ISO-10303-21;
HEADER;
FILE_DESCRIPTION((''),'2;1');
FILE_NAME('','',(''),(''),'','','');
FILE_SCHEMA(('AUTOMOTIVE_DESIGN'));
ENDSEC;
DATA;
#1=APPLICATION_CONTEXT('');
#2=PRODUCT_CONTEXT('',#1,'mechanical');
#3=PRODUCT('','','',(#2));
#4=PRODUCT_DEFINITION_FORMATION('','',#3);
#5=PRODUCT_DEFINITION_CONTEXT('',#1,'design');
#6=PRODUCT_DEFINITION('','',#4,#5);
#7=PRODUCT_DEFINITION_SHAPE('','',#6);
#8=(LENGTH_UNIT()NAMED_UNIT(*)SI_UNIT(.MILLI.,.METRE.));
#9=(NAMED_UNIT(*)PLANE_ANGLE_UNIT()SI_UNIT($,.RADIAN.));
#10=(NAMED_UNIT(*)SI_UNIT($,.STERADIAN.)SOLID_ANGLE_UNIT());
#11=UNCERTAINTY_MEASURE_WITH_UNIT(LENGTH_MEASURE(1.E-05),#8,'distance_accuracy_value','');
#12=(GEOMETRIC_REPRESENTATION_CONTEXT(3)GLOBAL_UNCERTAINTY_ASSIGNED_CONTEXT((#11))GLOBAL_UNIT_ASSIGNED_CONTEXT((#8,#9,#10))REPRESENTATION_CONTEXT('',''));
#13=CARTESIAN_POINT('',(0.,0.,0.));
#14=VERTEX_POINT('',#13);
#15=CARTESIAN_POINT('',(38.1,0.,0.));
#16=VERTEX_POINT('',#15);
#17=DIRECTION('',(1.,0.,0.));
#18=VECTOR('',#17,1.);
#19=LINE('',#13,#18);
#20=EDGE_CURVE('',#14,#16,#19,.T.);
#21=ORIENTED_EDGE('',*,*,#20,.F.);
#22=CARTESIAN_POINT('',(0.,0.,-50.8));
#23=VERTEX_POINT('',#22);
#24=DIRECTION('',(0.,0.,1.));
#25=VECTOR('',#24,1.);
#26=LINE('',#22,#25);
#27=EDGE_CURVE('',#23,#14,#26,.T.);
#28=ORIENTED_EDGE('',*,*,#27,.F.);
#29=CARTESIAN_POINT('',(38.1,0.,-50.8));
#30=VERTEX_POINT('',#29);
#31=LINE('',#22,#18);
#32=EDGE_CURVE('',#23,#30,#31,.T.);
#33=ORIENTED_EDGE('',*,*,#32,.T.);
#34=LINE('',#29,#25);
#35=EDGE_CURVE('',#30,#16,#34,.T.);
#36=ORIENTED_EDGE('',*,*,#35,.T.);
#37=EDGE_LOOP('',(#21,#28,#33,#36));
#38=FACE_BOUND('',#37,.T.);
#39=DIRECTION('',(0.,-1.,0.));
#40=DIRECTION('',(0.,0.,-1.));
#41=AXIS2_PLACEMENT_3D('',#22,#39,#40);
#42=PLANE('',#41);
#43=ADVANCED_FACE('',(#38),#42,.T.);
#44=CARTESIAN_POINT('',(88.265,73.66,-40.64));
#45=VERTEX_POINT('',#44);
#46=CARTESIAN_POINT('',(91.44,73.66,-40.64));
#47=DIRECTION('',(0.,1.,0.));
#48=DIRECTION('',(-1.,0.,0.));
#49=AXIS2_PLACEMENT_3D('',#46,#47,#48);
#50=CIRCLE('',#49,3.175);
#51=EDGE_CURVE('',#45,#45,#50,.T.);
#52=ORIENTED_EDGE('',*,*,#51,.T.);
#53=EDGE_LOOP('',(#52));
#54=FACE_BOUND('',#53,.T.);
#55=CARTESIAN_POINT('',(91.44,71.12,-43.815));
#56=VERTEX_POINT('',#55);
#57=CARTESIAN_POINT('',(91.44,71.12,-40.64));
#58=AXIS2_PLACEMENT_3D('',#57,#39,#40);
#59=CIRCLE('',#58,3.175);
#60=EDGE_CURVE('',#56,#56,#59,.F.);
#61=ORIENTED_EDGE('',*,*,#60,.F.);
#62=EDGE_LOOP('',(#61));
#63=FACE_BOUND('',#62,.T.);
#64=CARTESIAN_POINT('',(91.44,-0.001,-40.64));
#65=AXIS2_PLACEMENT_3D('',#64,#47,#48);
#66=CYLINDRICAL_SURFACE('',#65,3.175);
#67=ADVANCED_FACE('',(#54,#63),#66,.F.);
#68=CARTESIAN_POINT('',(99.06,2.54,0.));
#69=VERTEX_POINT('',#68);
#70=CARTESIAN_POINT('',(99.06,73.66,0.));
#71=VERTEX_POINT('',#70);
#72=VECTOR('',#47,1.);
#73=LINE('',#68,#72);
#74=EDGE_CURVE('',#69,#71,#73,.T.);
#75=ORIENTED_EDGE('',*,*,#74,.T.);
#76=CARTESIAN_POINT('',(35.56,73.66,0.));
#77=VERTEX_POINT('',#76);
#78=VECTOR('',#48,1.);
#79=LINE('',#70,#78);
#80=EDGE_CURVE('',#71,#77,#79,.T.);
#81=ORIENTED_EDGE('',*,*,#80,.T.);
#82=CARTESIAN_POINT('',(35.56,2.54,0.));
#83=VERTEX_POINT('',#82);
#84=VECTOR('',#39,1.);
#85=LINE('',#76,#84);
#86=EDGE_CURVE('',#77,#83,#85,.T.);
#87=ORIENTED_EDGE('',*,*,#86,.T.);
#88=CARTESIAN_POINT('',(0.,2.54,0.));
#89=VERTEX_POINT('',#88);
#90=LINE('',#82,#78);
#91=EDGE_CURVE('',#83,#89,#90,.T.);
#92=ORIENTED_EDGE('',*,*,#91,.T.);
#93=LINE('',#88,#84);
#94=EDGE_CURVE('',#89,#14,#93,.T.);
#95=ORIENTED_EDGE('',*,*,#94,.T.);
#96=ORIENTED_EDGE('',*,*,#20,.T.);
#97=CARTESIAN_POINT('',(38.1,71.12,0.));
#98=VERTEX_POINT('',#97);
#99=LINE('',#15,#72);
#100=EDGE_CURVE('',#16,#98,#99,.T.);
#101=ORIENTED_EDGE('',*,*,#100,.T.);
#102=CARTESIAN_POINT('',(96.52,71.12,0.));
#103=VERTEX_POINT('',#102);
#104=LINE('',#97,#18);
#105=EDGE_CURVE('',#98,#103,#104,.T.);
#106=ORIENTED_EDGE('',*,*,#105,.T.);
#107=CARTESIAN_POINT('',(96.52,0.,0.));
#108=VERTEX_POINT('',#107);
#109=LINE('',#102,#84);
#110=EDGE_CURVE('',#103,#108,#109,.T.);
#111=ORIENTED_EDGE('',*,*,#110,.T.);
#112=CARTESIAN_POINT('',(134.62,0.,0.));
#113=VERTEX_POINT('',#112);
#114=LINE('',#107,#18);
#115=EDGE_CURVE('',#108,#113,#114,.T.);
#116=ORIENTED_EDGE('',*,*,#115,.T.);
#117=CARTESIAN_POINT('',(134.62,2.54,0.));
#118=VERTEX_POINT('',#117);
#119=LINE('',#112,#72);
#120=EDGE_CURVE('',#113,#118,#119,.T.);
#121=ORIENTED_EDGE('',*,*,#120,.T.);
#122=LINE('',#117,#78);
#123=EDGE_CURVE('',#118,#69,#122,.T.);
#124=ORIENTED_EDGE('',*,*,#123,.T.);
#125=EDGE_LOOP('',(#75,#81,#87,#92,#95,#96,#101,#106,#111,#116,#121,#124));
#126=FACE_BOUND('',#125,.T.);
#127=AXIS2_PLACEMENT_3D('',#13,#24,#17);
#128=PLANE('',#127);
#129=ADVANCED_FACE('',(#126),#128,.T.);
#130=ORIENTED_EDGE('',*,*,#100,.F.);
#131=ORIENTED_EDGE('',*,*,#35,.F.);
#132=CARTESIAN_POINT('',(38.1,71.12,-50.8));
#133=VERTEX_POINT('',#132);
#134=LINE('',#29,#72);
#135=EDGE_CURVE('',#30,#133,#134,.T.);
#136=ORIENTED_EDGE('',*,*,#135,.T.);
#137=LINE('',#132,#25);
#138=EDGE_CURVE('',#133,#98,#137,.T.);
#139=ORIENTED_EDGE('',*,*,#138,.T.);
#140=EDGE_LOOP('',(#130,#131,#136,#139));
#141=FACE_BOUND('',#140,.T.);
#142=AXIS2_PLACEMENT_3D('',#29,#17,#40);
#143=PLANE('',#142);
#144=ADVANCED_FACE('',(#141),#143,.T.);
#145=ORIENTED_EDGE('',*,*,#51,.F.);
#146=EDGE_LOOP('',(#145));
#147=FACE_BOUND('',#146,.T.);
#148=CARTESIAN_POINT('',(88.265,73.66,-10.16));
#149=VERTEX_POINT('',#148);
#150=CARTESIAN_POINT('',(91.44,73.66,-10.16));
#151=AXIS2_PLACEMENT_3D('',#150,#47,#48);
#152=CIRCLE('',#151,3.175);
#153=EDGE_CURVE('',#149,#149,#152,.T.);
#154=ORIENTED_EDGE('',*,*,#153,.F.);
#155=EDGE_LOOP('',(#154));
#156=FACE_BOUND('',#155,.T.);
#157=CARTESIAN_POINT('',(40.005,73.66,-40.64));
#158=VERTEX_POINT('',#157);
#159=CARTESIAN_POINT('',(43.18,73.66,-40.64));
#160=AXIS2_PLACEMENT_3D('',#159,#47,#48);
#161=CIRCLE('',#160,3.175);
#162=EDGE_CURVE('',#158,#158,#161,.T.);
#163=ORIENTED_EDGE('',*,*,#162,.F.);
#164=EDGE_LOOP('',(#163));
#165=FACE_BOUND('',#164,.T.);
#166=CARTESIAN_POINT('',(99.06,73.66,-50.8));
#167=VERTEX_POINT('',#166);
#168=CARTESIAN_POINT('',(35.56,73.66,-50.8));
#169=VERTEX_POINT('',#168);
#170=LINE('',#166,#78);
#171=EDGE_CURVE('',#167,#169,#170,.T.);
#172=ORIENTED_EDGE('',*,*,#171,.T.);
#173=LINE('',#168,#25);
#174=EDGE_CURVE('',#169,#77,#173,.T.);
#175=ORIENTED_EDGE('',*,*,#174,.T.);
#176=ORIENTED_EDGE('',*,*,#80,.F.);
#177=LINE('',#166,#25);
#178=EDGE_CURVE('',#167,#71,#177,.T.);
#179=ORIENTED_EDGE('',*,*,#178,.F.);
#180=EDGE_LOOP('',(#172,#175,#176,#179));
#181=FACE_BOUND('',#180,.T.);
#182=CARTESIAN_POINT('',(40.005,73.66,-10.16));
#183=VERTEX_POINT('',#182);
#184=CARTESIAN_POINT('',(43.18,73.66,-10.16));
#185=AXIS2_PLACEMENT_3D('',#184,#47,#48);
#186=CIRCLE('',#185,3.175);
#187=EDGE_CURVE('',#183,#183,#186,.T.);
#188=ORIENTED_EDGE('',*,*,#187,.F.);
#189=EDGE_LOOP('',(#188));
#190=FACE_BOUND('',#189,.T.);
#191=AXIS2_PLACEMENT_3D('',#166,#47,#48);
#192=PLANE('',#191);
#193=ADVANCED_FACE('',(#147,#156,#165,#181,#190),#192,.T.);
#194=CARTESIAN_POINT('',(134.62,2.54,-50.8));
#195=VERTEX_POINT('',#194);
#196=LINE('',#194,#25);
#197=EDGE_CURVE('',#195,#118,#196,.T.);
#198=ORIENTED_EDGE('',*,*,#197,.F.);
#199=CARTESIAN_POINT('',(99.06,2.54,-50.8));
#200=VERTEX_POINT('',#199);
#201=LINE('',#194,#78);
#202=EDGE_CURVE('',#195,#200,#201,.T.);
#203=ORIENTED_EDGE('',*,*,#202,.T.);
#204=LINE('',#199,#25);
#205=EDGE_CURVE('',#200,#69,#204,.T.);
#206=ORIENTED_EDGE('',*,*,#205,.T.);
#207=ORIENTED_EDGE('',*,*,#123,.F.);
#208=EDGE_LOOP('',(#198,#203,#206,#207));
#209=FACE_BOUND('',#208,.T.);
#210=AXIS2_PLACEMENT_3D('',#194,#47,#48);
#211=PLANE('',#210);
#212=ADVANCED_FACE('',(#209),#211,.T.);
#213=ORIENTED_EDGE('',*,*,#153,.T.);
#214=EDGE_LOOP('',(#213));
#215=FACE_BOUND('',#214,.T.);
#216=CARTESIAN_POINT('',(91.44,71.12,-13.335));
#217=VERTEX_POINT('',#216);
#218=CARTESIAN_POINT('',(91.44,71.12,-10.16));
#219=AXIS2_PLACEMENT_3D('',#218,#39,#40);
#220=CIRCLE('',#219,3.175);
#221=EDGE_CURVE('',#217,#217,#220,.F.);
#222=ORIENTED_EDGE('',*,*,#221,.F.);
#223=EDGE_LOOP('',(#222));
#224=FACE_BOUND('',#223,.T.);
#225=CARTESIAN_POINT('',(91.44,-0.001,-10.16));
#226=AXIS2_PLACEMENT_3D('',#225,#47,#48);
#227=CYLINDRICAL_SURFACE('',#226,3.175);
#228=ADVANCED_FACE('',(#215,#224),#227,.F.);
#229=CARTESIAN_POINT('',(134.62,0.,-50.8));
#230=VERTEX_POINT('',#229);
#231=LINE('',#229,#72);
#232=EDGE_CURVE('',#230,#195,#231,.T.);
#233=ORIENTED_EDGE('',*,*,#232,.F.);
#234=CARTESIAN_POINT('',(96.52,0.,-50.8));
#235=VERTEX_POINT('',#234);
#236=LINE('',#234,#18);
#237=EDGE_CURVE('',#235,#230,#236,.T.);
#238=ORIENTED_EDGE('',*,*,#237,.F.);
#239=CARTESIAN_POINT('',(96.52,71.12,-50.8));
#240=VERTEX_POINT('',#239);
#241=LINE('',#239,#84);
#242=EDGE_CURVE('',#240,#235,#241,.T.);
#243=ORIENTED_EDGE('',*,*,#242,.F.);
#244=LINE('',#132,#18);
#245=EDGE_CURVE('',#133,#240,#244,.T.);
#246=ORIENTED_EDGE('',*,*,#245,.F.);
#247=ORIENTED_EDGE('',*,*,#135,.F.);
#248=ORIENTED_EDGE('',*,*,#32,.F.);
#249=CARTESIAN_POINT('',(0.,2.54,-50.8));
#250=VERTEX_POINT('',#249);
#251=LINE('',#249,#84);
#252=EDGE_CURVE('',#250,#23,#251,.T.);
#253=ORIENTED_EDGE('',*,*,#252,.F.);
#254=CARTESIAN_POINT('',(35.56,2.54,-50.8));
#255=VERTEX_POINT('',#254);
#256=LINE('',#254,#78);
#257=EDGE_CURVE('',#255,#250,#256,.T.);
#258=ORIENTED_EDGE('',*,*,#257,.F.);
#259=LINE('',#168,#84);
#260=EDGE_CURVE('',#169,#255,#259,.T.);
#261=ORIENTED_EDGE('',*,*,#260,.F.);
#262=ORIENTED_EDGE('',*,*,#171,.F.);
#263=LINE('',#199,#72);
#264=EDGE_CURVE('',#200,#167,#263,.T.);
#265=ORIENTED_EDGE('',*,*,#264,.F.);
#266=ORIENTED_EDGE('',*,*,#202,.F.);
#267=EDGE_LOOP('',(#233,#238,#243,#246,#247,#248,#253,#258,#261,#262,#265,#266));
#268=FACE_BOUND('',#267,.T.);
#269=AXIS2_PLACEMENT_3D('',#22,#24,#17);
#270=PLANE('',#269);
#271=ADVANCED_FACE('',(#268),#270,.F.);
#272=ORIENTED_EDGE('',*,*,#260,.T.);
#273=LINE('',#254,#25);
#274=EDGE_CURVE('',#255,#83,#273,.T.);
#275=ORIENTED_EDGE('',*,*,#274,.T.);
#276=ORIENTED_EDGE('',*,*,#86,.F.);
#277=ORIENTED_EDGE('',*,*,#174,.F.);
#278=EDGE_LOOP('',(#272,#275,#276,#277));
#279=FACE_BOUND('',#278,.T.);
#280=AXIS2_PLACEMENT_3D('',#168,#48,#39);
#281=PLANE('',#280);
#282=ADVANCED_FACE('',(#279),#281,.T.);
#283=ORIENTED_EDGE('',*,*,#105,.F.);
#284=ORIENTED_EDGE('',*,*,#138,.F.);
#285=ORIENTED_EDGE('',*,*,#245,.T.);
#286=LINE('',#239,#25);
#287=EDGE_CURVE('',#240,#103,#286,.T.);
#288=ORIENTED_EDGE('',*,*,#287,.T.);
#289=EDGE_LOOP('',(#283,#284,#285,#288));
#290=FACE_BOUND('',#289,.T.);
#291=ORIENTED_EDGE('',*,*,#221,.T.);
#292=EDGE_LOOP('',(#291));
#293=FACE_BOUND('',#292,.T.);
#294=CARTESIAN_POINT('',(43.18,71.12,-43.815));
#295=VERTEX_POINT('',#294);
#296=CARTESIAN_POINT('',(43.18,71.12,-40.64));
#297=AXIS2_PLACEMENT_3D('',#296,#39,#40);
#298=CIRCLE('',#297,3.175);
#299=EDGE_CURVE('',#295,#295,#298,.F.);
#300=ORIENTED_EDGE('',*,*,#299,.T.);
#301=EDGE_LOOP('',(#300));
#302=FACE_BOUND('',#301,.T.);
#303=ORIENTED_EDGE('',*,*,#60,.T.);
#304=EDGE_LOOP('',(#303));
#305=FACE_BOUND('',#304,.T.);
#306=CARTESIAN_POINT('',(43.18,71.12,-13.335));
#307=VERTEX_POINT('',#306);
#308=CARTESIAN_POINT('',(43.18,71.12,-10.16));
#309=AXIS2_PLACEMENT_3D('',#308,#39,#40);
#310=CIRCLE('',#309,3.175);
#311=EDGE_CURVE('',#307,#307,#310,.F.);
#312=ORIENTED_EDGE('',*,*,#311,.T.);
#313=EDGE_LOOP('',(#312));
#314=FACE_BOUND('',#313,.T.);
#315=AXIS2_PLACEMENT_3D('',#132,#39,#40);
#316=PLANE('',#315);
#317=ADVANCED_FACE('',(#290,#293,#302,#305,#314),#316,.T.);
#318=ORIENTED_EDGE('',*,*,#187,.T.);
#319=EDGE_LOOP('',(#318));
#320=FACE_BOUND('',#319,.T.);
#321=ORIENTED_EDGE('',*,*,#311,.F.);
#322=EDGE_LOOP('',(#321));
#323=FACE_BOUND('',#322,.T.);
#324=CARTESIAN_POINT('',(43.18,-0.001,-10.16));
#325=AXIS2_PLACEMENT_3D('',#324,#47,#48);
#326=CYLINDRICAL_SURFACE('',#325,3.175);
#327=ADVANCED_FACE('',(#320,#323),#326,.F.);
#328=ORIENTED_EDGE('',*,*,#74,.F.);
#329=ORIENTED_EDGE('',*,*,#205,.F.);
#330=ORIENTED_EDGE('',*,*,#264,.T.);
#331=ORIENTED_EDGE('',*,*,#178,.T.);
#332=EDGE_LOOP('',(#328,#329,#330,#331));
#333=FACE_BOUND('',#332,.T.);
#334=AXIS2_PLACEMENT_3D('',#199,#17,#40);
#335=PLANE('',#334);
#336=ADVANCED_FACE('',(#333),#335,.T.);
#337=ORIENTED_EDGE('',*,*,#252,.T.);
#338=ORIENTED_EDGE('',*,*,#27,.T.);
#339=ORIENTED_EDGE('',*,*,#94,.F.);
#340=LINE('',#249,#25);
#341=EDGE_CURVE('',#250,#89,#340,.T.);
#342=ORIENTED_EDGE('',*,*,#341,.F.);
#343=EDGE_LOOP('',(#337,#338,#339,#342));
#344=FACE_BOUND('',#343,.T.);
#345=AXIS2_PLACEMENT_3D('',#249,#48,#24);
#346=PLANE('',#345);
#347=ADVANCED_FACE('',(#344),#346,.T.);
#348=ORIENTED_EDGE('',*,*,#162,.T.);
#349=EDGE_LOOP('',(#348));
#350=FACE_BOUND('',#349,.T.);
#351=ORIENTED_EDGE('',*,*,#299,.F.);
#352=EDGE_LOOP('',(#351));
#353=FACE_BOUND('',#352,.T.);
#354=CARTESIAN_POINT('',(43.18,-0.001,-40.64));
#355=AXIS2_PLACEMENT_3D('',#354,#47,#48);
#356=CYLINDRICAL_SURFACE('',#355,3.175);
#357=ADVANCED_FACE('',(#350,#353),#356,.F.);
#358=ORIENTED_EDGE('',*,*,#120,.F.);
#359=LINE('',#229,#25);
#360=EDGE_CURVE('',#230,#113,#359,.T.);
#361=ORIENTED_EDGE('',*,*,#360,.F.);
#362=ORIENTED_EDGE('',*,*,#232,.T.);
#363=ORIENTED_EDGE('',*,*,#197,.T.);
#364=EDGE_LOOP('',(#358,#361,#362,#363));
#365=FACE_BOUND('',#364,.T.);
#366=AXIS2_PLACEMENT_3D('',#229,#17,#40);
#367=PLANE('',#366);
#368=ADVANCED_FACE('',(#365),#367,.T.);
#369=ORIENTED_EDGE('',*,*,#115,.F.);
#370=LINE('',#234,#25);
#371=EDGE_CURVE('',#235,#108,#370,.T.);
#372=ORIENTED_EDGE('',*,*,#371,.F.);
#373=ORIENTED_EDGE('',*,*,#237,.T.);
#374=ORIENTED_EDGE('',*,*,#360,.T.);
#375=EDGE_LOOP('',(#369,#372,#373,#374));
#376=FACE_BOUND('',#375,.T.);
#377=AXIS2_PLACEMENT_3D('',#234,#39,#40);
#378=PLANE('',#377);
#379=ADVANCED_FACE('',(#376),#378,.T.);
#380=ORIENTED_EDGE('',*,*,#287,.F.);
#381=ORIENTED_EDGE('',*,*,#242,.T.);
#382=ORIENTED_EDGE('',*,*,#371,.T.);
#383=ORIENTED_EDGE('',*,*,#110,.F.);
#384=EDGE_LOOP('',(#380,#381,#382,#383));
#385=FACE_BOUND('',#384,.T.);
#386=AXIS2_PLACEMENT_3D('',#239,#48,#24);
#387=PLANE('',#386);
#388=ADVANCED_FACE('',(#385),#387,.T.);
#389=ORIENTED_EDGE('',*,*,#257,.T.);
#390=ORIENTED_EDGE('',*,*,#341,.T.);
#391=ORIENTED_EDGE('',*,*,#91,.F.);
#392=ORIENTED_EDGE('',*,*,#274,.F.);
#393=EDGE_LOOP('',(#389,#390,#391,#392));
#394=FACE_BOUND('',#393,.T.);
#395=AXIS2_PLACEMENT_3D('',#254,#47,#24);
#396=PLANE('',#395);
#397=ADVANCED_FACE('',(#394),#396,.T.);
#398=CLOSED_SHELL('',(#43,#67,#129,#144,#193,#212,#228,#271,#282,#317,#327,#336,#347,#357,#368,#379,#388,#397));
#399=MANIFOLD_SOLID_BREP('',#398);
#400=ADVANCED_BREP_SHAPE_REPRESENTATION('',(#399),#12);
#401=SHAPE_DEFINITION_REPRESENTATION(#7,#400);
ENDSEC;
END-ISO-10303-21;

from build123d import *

# Parameters (mm, degrees)
BOSS_EXTRUDE1_DEPTH = 50.8
CUT_EXTRUDE1_REACH  = 75.66
SKETCH12_R          = 3.175


with BuildPart() as part:
    # Sketch11 → Boss-Extrude1 (new body)
    with BuildSketch(Plane.XY):
        Polygon((0, 0), (38.1, 0), (38.1, 71.12), (96.52, 71.12), (96.52, 0), (134.62, 0), (134.62, 2.54), (99.06, 2.54), (99.06, 73.66), (35.56, 73.66), (35.56, 2.54), (0, 2.54), align=None)
    extrude(amount=-BOSS_EXTRUDE1_DEPTH)

    # Sketch12 → Cut-Extrude1 (cut, up to next)
    with BuildSketch(Plane(origin=(0, 73.66, 0), x_dir=(1, 0, 0), z_dir=(0, 1, 0)), mode=Mode.PRIVATE) as cut_extrude1_sk1:
        with Locations((43.18, 10.16)):
            Circle(SKETCH12_R)
    cut_extrude1_tool1 = extrude(cut_extrude1_sk1.sketch, amount=-CUT_EXTRUDE1_REACH, mode=Mode.PRIVATE) & part.part
    add(cut_extrude1_tool1.solids().sort_by_distance((43.18, 73.66, -10.16))[0], mode=Mode.SUBTRACT)
    # Sketch12 → Cut-Extrude1 (cut, up to next)
    with BuildSketch(Plane(origin=(0, 73.66, 0), x_dir=(1, 0, 0), z_dir=(0, 1, 0)), mode=Mode.PRIVATE) as cut_extrude1_sk2:
        with Locations((91.44, 10.16)):
            Circle(SKETCH12_R)
    cut_extrude1_tool2 = extrude(cut_extrude1_sk2.sketch, amount=-CUT_EXTRUDE1_REACH, mode=Mode.PRIVATE) & part.part
    add(cut_extrude1_tool2.solids().sort_by_distance((91.44, 73.66, -10.16))[0], mode=Mode.SUBTRACT)
    # Sketch12 → Cut-Extrude1 (cut, up to next)
    with BuildSketch(Plane(origin=(0, 73.66, 0), x_dir=(1, 0, 0), z_dir=(0, 1, 0)), mode=Mode.PRIVATE) as cut_extrude1_sk3:
        with Locations((91.44, 40.64)):
            Circle(SKETCH12_R)
    cut_extrude1_tool3 = extrude(cut_extrude1_sk3.sketch, amount=-CUT_EXTRUDE1_REACH, mode=Mode.PRIVATE) & part.part
    add(cut_extrude1_tool3.solids().sort_by_distance((91.44, 73.66, -40.64))[0], mode=Mode.SUBTRACT)
    # Sketch12 → Cut-Extrude1 (cut, up to next)
    with BuildSketch(Plane(origin=(0, 73.66, 0), x_dir=(1, 0, 0), z_dir=(0, 1, 0)), mode=Mode.PRIVATE) as cut_extrude1_sk4:
        with Locations((43.18, 40.64)):
            Circle(SKETCH12_R)
    cut_extrude1_tool4 = extrude(cut_extrude1_sk4.sketch, amount=-CUT_EXTRUDE1_REACH, mode=Mode.PRIVATE) & part.part
    add(cut_extrude1_tool4.solids().sort_by_distance((43.18, 73.66, -40.64))[0], mode=Mode.SUBTRACT)


solid = part.part
